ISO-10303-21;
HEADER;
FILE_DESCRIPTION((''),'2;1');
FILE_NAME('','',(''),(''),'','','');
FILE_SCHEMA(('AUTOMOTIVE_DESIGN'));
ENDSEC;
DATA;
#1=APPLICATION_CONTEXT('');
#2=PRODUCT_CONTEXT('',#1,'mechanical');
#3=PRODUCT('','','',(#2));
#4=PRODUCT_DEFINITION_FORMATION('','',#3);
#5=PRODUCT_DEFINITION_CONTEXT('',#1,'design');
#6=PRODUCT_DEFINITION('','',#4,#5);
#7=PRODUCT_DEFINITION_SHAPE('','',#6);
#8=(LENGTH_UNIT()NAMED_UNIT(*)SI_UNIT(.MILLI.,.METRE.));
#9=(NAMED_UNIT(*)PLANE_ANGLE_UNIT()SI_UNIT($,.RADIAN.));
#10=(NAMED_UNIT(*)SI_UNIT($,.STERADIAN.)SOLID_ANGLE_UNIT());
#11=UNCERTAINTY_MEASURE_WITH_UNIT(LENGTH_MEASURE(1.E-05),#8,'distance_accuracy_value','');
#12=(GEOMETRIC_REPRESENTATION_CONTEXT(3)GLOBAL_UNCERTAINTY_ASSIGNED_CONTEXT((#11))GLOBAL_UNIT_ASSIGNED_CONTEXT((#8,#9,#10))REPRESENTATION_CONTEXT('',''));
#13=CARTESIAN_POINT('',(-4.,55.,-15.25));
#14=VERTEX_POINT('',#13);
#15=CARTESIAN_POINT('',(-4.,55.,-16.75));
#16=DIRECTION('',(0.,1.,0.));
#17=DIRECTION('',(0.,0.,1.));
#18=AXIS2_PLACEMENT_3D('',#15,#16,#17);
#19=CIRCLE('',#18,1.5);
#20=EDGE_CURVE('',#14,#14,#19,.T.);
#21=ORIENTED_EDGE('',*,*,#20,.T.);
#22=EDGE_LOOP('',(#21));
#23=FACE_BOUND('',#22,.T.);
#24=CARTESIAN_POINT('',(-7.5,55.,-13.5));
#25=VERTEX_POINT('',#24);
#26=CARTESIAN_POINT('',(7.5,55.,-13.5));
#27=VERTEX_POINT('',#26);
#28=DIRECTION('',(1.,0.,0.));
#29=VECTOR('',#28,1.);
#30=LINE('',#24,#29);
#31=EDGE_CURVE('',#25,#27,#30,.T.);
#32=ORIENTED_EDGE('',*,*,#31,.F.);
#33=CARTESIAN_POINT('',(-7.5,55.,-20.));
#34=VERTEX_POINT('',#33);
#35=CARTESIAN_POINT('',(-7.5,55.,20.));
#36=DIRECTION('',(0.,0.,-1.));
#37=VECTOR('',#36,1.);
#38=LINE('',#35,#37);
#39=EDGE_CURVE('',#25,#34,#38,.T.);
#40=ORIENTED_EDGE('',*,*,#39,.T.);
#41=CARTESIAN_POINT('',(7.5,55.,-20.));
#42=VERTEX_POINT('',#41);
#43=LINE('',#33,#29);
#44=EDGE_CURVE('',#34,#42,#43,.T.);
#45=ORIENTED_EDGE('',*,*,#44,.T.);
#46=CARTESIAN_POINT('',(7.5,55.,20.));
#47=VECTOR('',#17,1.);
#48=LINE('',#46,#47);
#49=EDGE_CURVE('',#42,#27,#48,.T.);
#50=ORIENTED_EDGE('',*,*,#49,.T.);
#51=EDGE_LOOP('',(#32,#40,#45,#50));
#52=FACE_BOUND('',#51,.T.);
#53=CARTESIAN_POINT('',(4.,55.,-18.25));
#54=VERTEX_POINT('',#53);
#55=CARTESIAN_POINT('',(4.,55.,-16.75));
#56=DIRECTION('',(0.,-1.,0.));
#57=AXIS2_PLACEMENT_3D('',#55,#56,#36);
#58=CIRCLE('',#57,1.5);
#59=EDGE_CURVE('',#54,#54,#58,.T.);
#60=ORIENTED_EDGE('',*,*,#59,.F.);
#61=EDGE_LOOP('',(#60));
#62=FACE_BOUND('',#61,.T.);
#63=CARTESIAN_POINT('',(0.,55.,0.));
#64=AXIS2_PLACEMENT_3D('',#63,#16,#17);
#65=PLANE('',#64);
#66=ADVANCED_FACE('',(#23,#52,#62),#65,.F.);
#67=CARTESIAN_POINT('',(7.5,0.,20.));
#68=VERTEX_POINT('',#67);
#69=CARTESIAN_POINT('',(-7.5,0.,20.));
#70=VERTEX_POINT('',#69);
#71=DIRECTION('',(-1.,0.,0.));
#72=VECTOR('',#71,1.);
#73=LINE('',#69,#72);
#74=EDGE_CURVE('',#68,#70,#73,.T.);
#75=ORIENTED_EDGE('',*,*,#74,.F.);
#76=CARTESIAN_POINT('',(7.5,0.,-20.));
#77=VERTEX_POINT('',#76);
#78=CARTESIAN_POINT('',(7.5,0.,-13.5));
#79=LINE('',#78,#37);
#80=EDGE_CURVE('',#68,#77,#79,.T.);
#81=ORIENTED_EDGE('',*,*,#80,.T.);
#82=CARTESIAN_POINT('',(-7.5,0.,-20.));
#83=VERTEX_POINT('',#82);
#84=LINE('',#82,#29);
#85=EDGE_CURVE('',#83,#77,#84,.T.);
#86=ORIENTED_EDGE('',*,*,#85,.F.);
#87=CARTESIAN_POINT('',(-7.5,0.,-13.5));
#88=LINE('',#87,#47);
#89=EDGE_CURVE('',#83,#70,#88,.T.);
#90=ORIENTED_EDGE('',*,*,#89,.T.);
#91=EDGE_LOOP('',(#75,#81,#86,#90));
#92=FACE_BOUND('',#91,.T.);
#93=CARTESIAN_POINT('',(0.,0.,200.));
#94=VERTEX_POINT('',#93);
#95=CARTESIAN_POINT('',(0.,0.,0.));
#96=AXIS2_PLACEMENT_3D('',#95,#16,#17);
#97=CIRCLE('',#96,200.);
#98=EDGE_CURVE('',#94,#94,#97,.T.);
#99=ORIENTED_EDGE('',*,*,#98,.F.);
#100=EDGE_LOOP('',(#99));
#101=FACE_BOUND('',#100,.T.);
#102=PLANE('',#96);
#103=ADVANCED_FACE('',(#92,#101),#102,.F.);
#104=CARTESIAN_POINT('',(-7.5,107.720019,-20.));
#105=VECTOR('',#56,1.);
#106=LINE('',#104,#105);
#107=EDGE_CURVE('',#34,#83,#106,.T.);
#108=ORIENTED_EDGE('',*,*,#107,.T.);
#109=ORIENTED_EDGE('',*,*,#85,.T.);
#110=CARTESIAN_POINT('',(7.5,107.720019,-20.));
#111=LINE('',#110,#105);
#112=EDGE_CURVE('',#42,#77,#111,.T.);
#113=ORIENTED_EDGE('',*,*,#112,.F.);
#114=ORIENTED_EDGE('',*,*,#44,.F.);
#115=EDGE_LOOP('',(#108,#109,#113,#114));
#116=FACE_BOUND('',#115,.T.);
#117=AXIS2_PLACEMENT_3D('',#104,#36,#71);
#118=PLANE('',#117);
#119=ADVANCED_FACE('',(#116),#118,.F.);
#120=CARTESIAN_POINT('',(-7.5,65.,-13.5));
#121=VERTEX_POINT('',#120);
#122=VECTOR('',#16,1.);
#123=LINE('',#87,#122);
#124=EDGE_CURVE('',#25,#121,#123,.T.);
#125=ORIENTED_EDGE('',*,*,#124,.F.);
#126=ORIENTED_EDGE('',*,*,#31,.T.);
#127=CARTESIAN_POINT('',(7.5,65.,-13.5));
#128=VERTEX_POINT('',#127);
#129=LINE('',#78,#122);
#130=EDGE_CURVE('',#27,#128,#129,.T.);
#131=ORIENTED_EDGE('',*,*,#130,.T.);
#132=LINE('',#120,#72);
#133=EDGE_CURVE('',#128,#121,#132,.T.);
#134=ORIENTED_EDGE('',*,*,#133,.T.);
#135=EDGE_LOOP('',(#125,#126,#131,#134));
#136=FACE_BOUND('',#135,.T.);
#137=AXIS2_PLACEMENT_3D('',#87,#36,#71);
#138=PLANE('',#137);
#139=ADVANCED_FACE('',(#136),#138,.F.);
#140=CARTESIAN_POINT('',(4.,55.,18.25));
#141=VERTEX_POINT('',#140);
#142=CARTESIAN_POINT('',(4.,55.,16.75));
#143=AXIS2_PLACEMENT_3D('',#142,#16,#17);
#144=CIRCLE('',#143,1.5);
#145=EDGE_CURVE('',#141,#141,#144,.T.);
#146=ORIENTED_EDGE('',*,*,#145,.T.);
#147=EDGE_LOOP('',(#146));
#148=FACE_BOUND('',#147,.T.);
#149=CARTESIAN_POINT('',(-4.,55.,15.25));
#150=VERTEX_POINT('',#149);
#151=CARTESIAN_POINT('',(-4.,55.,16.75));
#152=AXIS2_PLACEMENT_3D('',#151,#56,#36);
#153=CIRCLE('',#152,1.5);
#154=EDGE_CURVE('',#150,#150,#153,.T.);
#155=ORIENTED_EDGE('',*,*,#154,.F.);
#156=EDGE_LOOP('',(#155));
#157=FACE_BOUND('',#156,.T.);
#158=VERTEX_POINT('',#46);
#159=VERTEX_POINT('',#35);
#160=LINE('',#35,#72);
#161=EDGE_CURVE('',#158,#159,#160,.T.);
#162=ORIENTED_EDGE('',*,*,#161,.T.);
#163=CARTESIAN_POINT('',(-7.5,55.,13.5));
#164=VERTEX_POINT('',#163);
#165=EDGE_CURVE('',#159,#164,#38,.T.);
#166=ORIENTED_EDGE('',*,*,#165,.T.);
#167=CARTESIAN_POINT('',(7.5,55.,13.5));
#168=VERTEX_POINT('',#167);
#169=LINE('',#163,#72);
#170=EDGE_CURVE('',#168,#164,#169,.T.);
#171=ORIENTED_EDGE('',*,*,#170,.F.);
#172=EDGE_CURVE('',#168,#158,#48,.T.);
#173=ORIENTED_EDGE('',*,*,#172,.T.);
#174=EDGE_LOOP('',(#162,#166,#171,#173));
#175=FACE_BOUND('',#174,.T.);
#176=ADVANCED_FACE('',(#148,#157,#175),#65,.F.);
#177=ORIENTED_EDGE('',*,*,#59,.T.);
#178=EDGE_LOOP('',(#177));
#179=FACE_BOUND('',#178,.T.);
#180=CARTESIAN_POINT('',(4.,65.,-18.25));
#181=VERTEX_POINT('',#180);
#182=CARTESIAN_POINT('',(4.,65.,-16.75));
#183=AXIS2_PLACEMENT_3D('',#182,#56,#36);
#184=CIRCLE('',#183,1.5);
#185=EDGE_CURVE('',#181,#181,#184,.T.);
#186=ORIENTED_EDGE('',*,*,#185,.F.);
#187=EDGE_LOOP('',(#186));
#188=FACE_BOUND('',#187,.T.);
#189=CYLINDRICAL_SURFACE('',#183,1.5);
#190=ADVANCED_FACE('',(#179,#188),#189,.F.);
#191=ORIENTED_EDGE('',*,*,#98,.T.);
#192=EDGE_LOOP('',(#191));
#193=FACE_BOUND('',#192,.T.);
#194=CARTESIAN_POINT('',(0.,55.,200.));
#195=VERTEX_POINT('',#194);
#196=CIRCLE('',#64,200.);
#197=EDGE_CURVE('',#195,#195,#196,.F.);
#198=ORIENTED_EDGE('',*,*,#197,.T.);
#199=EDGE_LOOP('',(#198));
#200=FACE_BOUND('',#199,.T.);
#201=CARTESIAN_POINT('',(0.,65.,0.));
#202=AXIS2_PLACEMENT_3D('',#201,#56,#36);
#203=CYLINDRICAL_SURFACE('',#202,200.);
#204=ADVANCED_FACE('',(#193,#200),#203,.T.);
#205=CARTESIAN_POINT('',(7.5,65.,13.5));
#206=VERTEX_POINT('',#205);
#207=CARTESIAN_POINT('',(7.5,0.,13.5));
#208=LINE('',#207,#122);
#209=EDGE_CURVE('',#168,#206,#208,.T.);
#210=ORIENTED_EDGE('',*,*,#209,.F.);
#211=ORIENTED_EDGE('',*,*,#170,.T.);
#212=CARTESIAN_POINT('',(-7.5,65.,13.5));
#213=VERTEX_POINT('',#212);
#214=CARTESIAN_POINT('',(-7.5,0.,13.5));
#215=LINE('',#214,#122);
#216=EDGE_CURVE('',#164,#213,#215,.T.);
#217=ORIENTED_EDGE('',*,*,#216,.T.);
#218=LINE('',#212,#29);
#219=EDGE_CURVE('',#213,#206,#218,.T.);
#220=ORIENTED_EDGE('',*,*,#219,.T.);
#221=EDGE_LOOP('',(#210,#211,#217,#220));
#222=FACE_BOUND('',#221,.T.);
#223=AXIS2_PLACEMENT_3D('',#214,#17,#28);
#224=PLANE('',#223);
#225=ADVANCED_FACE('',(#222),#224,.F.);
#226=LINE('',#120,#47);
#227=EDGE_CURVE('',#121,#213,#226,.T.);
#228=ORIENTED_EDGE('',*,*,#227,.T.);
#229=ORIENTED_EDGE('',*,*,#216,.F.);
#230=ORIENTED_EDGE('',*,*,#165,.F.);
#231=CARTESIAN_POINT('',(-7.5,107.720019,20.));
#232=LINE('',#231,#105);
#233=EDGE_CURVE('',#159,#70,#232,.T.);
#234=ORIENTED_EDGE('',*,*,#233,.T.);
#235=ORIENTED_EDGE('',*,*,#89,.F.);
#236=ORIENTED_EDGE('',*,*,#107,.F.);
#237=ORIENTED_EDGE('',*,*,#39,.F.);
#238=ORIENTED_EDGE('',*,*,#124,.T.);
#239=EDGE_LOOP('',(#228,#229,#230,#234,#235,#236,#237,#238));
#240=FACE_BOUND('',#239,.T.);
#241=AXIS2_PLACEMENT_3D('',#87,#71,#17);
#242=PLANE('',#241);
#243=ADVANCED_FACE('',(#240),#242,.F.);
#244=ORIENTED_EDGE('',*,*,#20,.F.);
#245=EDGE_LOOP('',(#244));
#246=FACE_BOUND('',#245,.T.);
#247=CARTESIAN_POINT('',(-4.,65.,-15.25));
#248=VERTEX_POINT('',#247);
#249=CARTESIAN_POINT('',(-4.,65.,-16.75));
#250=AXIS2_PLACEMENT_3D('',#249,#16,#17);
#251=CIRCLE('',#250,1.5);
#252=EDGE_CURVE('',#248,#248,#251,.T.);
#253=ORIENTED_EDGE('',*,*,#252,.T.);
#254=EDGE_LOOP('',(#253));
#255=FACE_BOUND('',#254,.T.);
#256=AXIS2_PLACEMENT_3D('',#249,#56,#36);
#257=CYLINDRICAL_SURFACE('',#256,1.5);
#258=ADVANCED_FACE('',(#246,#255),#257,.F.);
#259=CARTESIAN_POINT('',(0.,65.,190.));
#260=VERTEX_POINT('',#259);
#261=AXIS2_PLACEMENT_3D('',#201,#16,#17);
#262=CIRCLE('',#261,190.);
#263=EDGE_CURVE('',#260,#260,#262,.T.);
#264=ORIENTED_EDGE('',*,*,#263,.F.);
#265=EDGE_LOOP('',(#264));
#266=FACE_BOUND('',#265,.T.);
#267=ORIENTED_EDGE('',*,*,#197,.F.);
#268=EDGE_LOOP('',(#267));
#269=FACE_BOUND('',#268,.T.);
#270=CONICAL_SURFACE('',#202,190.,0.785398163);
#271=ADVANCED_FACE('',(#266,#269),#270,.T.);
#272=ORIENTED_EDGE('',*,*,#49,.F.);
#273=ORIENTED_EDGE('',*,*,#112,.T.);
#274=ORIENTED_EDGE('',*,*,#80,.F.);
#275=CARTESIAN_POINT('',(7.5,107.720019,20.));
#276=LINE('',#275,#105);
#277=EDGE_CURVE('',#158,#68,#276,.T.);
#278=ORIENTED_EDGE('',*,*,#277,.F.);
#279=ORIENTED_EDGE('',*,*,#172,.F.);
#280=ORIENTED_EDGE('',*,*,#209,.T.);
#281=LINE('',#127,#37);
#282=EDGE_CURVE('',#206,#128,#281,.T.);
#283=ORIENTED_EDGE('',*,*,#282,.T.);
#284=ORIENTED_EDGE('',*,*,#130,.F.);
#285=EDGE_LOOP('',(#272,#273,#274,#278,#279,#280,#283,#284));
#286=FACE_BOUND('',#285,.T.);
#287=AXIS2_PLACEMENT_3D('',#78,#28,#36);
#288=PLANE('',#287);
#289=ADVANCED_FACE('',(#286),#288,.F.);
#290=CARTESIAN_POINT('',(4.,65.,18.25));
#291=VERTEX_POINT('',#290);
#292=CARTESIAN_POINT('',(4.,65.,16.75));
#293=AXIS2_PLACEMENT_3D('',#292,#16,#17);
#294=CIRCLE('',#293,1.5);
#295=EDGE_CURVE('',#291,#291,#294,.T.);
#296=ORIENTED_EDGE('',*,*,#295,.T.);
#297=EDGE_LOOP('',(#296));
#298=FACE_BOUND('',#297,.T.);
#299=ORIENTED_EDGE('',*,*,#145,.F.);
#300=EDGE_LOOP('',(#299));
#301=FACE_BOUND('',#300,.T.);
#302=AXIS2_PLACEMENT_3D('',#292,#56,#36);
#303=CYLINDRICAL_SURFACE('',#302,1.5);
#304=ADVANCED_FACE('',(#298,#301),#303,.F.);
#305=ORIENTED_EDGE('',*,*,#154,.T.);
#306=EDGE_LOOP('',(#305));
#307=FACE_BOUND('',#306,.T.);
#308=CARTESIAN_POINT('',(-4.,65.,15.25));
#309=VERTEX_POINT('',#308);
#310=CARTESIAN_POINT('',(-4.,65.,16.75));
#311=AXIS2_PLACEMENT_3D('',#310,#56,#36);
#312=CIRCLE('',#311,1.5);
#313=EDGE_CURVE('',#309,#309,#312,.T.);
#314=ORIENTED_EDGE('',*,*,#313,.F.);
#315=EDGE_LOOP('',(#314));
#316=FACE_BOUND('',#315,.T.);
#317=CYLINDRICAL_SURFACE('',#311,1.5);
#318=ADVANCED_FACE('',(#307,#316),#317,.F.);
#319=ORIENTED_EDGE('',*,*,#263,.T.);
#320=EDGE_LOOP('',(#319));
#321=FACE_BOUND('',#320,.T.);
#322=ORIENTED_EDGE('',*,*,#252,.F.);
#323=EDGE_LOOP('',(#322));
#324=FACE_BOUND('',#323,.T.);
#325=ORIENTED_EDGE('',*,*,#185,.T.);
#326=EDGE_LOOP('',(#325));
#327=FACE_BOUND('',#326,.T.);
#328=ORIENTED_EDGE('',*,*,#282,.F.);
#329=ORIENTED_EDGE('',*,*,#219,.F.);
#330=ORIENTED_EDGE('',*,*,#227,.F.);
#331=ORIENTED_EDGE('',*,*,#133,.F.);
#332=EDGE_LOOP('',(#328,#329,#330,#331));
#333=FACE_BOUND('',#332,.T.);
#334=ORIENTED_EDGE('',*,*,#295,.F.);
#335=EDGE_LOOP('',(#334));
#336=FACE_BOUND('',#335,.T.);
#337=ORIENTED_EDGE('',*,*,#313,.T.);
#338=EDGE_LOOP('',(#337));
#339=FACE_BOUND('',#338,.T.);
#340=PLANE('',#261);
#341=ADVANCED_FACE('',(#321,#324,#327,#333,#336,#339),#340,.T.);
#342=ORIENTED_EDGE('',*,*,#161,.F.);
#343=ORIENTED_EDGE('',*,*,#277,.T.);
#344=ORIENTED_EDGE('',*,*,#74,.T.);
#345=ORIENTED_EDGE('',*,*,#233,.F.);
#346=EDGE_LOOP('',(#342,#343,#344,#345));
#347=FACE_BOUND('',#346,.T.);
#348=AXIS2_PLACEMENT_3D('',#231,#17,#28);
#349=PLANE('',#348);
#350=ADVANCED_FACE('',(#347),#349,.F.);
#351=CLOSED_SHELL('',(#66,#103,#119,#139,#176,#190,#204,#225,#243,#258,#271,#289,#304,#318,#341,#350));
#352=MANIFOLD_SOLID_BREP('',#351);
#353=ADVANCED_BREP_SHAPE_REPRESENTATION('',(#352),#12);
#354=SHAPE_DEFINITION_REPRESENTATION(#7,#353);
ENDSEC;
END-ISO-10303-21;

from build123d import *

# Parameters (mm, degrees)
SKETCH1_R           = 200
BOSS_EXTRUDE1_DEPTH = 65
SKETCH2_W           = 15
SKETCH2_H           = 27
CUT_EXTRUDE1_DEPTH  = 291.215437219
SKETCH3_W           = 15
SKETCH3_H           = 40
CUT_EXTRUDE2_DEPTH  = 55
CHAMFER1_SIZE       = 10
SKETCH4_R           = 1.5
CUT_EXTRUDE3_DEPTH  = 289.140590684


with BuildPart() as part:
    # Sketch1 → Boss-Extrude1 (new body)
    with BuildSketch(Plane(origin=(0, 0, 0), x_dir=(1, 0, 0), z_dir=(0, 1, 0))):
        with Locations(Location((0, 0, 0), (0, 0, 270))):
            Circle(SKETCH1_R)
    extrude(amount=BOSS_EXTRUDE1_DEPTH)

    # Sketch2 → Cut-Extrude1 (cut, through all)
    with BuildSketch(Plane(origin=(0, 65, 0), x_dir=(1, 0, 0), z_dir=(0, 1, 0))):
        Rectangle(SKETCH2_W, SKETCH2_H)
    extrude(amount=-CUT_EXTRUDE1_DEPTH, mode=Mode.SUBTRACT)

    # Sketch3 → Cut-Extrude2 (cut)
    with BuildSketch(Plane.XZ):
        Rectangle(SKETCH3_W, SKETCH3_H)
    extrude(amount=-CUT_EXTRUDE2_DEPTH, mode=Mode.SUBTRACT)

    # Chamfer1
    chamfer1_edges = [part.edges().sort_by_distance(p)[0] for p in [
        (0, 65, -200),
    ]]
    chamfer(chamfer1_edges, length=CHAMFER1_SIZE)

    # Sketch4 → Cut-Extrude3 (cut, through all)
    with BuildSketch(Plane(origin=(0, 55, 0), x_dir=(-1, 0, 0), z_dir=(0, -1, 0))):
        with Locations(Location((4, -16.75, 0), (0, 0, 90))):
            Circle(SKETCH4_R)
        with Locations(Location((-4, -16.75, 0), (0, 0, 270))):
            Circle(SKETCH4_R)
        with Locations(Location((4, 16.75, 0), (0, 0, 270))):
            Circle(SKETCH4_R)
        with Locations(Location((-4, 16.75, 0), (0, 0, 90))):
            Circle(SKETCH4_R)
    extrude(amount=-CUT_EXTRUDE3_DEPTH, mode=Mode.SUBTRACT)


solid = part.part
